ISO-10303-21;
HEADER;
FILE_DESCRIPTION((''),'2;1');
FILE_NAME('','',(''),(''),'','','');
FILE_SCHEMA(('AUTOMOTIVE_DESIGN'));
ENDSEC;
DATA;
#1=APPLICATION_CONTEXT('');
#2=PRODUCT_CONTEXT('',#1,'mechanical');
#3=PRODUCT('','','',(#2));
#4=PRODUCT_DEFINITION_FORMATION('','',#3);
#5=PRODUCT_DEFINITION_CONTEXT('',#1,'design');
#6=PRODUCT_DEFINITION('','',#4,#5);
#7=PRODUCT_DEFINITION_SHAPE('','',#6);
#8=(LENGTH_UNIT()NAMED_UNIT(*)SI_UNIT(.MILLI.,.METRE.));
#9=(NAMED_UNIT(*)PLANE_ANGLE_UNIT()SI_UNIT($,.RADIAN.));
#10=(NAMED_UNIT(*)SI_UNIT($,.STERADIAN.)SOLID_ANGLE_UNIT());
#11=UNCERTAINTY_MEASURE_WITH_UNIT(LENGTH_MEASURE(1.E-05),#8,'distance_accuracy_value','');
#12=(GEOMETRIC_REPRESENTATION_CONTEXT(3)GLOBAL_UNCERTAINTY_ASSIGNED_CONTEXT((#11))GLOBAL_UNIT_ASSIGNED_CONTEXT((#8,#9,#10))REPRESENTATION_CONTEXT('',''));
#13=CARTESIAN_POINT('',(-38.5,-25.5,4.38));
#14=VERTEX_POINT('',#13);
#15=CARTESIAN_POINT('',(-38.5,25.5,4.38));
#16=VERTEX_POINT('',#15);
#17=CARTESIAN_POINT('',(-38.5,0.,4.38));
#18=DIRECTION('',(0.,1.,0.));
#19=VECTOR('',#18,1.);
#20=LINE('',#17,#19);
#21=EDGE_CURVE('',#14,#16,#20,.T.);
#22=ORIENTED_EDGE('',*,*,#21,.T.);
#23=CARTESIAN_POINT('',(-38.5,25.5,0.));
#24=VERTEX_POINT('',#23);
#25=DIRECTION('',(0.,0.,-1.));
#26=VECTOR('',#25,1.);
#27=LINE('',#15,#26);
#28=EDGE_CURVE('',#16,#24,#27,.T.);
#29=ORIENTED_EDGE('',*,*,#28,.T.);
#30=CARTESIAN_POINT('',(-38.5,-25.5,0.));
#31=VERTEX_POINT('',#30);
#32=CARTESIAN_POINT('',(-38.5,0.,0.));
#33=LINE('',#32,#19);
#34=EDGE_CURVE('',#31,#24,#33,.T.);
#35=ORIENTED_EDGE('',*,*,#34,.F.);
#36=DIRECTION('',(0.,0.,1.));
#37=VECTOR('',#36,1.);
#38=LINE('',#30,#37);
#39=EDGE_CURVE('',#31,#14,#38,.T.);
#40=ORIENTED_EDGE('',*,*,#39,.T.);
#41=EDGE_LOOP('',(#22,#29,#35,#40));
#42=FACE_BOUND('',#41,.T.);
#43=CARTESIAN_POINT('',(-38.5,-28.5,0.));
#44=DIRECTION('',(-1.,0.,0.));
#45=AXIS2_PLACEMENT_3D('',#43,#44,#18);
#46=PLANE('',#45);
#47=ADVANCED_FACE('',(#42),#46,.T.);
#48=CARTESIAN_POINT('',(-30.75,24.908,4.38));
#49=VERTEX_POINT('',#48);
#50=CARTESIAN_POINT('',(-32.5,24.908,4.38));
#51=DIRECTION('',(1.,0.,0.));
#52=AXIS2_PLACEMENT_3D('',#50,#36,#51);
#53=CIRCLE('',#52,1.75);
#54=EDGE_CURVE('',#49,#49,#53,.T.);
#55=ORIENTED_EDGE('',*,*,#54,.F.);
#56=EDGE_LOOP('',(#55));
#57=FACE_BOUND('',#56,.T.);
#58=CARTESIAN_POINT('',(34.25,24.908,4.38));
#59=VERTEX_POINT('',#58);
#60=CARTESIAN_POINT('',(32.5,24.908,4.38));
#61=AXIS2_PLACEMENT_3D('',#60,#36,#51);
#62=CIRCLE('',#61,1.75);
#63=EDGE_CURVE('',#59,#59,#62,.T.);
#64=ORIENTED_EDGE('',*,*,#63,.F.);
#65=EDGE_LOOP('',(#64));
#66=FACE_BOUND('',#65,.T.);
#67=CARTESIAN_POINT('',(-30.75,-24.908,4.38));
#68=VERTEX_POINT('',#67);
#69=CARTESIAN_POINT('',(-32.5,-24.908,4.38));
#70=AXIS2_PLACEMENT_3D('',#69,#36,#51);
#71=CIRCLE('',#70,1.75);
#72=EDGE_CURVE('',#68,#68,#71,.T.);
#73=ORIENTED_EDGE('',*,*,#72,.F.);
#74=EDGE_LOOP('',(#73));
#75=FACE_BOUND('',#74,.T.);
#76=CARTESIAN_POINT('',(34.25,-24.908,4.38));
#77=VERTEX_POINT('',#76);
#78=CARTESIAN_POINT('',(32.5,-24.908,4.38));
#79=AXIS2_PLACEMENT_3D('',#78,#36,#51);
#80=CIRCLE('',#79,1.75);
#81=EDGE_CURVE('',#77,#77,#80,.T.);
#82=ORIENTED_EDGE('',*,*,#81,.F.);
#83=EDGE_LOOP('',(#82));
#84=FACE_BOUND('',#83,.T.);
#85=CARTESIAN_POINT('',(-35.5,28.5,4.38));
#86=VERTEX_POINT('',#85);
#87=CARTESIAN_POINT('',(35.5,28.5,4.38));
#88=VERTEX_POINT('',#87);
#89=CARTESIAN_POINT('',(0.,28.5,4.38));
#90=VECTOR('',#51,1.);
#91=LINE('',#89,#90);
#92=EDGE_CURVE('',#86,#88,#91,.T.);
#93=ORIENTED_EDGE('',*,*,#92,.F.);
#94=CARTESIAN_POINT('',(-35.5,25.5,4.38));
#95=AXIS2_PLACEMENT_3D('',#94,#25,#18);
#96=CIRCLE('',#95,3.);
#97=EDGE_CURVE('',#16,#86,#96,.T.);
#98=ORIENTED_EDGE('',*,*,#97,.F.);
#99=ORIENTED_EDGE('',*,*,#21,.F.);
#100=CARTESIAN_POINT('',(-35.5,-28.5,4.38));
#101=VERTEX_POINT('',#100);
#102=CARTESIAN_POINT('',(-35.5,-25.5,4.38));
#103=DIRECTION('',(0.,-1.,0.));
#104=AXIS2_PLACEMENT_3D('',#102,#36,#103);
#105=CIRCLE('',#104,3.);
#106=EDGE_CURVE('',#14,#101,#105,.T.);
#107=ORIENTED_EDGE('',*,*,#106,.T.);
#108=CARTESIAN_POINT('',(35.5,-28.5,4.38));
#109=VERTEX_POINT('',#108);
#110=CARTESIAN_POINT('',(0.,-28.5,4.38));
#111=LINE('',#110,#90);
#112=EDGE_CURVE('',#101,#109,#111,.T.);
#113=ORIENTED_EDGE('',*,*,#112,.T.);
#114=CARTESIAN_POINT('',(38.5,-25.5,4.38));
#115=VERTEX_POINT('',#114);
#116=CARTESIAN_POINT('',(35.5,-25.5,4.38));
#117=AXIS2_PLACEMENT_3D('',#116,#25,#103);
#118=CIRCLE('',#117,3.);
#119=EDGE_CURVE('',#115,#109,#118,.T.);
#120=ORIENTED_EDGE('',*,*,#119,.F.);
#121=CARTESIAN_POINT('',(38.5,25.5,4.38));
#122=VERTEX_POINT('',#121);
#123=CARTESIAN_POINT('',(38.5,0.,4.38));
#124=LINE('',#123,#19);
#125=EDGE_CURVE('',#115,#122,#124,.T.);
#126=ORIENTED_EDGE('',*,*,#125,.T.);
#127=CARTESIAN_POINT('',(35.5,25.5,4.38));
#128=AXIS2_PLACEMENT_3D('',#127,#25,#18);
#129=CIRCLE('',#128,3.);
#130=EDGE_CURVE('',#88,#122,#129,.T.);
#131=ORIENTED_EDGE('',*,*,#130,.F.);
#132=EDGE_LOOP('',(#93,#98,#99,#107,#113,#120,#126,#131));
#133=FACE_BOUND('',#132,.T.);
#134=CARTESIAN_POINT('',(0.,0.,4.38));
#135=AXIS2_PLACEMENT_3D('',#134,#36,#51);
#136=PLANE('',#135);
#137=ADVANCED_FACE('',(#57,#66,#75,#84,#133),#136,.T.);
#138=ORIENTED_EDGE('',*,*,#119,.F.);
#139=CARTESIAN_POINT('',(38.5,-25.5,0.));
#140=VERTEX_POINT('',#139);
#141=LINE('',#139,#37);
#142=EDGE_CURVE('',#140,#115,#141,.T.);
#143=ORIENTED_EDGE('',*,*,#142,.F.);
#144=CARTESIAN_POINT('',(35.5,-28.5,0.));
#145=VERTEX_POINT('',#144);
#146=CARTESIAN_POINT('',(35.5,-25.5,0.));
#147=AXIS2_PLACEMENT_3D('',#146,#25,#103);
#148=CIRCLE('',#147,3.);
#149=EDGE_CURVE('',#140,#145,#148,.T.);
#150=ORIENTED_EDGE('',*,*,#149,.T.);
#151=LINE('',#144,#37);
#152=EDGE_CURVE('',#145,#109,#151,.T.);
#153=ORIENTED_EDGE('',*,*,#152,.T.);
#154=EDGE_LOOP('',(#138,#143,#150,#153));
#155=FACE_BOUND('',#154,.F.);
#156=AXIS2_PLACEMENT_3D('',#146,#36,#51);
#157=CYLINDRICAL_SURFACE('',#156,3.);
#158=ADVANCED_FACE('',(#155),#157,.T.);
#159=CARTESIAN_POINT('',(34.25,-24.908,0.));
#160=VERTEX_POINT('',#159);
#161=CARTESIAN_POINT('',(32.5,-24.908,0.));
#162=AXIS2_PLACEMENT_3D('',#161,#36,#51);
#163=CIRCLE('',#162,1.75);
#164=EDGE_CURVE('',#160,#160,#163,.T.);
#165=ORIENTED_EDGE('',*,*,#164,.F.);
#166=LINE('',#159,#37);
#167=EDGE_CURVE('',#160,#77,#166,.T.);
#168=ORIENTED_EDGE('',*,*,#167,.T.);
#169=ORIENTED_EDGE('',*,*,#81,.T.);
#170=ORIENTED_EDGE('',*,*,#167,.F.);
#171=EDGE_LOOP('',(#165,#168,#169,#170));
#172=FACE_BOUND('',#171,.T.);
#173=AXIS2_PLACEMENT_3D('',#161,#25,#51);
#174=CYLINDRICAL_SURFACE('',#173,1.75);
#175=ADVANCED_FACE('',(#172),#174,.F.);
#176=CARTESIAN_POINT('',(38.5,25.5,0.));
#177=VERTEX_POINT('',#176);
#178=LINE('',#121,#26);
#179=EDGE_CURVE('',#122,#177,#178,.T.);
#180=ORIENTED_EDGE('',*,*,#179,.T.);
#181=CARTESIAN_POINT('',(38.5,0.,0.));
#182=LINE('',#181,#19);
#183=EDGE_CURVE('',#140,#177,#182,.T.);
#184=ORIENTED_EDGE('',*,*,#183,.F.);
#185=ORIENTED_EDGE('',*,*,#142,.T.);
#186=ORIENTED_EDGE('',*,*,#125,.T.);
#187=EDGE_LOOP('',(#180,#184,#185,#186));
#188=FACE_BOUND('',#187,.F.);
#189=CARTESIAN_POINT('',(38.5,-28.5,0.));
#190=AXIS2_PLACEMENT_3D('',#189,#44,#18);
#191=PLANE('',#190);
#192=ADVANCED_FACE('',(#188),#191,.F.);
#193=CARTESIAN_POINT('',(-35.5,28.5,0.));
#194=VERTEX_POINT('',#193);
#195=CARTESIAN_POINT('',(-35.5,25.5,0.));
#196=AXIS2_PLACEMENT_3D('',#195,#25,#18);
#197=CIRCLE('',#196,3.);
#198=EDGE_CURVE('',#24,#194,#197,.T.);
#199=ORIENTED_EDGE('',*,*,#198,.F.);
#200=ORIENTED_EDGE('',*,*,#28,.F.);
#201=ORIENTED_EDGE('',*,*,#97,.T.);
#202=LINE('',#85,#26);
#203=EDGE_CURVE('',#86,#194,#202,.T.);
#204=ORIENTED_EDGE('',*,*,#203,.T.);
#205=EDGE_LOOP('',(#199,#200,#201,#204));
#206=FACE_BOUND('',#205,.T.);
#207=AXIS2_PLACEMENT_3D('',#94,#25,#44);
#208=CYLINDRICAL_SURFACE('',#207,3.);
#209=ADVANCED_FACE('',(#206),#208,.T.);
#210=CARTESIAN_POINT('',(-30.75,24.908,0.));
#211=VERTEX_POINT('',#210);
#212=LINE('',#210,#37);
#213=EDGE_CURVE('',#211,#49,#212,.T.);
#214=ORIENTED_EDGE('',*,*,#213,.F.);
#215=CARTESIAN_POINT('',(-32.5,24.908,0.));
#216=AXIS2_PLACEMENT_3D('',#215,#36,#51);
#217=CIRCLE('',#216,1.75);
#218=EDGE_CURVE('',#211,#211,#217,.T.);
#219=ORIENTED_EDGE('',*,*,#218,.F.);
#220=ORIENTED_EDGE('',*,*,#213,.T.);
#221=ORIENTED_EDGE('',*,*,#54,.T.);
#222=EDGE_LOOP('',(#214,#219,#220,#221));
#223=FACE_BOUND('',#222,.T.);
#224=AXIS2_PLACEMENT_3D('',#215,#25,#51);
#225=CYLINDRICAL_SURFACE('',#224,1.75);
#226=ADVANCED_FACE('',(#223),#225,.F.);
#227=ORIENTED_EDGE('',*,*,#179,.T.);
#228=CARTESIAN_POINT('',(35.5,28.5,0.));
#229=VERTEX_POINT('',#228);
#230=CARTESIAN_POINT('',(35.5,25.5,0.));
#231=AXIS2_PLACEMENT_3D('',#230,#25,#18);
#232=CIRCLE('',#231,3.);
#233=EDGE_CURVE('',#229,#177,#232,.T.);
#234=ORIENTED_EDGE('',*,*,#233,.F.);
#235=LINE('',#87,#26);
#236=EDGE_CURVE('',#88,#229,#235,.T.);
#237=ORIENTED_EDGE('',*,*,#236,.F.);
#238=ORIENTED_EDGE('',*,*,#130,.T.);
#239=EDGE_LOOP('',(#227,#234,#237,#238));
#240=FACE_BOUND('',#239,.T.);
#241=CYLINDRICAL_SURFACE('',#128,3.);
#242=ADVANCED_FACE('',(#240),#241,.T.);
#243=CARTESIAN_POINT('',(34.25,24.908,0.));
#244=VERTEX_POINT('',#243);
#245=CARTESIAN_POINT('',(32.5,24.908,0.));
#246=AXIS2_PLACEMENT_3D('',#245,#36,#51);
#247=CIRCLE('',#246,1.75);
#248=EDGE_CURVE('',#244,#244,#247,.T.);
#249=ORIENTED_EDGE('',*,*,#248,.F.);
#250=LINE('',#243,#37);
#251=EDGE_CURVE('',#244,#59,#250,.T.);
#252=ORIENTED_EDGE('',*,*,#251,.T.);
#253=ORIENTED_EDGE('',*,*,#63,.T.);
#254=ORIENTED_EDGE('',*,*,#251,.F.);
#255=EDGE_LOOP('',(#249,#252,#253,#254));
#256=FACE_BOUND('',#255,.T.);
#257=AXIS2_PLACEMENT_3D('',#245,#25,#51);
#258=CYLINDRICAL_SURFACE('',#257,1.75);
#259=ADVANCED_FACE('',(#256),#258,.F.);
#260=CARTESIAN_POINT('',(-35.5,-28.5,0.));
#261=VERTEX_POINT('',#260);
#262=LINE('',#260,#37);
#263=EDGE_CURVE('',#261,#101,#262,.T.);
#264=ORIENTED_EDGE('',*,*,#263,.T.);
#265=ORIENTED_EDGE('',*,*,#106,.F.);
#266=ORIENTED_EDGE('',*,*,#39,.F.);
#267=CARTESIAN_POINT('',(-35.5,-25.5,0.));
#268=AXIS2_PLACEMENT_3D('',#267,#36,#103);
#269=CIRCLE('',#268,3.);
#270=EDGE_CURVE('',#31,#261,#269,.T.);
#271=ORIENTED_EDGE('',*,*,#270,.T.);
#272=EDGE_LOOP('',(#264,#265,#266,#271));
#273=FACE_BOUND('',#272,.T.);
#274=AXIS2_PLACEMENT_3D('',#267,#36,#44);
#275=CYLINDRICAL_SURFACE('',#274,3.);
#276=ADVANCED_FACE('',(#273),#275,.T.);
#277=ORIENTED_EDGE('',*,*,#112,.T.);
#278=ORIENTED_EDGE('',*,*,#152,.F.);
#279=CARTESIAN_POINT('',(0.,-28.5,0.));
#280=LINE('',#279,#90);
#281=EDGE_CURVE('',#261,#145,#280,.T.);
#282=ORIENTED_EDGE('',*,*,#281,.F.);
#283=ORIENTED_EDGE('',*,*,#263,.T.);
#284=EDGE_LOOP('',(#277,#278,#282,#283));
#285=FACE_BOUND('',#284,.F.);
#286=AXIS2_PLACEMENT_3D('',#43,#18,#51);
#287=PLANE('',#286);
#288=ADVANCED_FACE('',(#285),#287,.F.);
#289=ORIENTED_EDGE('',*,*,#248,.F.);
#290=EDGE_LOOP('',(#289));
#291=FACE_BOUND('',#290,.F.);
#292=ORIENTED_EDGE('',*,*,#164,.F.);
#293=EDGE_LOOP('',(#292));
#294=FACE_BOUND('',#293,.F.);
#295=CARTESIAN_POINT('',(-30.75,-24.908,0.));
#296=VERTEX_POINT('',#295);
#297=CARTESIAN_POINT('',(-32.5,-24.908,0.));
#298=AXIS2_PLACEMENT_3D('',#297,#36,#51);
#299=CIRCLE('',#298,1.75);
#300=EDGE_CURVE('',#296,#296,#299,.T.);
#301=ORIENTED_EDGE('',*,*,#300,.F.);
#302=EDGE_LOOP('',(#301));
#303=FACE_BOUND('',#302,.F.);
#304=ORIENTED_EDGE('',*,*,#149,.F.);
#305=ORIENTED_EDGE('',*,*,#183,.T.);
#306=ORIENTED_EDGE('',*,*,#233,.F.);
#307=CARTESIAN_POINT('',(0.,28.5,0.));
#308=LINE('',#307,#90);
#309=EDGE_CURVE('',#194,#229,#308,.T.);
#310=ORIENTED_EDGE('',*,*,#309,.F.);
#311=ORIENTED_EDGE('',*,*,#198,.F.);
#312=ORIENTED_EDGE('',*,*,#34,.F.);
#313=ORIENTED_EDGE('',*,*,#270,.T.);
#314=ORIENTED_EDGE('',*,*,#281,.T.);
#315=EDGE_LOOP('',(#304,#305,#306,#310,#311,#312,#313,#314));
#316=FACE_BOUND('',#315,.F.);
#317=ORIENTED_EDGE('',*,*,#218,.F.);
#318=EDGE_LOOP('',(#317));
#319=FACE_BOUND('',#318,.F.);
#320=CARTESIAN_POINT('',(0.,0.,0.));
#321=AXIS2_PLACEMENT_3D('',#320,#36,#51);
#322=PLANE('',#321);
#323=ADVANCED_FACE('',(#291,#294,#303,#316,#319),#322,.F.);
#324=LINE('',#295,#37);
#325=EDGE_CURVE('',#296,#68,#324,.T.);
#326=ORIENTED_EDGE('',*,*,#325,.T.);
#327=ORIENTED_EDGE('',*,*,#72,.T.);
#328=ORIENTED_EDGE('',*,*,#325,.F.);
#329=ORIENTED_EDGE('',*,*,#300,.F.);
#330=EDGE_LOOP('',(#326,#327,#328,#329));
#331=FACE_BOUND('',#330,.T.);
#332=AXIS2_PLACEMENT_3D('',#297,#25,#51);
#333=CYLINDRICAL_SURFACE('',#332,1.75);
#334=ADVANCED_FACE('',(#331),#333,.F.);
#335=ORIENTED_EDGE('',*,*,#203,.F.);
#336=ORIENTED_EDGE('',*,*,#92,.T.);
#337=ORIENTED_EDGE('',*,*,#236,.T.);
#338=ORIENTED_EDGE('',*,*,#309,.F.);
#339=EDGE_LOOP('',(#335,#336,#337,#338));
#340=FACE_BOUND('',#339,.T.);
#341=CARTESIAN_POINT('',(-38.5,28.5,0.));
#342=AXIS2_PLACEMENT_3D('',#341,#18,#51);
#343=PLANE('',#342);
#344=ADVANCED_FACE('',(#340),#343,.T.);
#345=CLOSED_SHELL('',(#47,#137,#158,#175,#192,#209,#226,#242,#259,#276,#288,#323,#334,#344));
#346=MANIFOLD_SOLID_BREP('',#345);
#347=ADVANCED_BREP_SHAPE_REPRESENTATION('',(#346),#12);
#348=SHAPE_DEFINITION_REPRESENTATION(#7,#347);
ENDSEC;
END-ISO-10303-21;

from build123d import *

# Parameters (mm, degrees)
F0_W     = 77
F0_H     = 57
F0_R     = 1.75
F1_DEPTH = 4.38
F2_DEPTH = 3.2
F3_R     = 3


with BuildPart() as f1:
    # F0 (on Top) → F1 (new body)
    with BuildSketch(Plane.XY):
        Rectangle(F0_W, F0_H)
        with Locations((-32.5, -24.908)):
            Circle(F0_R, mode=Mode.SUBTRACT)
        with Locations((32.5, -24.908)):
            Circle(F0_R, mode=Mode.SUBTRACT)
        with Locations((-32.5, 24.908)):
            Circle(F0_R, mode=Mode.SUBTRACT)
        with Locations((32.5, 24.908)):
            Circle(F0_R, mode=Mode.SUBTRACT)
    extrude(amount=F1_DEPTH)

    # F0 (on Top) → F2 (join)
    with BuildSketch(Plane.XY):
        Rectangle(F0_W, F0_H)
        with Locations((-32.5, -24.908)):
            Circle(F0_R, mode=Mode.SUBTRACT)
        with Locations((32.5, -24.908)):
            Circle(F0_R, mode=Mode.SUBTRACT)
        with Locations((-32.5, 24.908)):
            Circle(F0_R, mode=Mode.SUBTRACT)
        with Locations((32.5, 24.908)):
            Circle(F0_R, mode=Mode.SUBTRACT)
    extrude(amount=F2_DEPTH)

    # F3
    f3_edges = [f1.edges().sort_by_distance(p)[0] for p in [
        (-38.5, 28.5, 2.19),
        (-38.5, -28.5, 2.19),
        (38.5, -28.5, 2.19),
        (38.5, 28.5, 2.19),
    ]]
    fillet(f3_edges, radius=F3_R)


solid = f1.part
